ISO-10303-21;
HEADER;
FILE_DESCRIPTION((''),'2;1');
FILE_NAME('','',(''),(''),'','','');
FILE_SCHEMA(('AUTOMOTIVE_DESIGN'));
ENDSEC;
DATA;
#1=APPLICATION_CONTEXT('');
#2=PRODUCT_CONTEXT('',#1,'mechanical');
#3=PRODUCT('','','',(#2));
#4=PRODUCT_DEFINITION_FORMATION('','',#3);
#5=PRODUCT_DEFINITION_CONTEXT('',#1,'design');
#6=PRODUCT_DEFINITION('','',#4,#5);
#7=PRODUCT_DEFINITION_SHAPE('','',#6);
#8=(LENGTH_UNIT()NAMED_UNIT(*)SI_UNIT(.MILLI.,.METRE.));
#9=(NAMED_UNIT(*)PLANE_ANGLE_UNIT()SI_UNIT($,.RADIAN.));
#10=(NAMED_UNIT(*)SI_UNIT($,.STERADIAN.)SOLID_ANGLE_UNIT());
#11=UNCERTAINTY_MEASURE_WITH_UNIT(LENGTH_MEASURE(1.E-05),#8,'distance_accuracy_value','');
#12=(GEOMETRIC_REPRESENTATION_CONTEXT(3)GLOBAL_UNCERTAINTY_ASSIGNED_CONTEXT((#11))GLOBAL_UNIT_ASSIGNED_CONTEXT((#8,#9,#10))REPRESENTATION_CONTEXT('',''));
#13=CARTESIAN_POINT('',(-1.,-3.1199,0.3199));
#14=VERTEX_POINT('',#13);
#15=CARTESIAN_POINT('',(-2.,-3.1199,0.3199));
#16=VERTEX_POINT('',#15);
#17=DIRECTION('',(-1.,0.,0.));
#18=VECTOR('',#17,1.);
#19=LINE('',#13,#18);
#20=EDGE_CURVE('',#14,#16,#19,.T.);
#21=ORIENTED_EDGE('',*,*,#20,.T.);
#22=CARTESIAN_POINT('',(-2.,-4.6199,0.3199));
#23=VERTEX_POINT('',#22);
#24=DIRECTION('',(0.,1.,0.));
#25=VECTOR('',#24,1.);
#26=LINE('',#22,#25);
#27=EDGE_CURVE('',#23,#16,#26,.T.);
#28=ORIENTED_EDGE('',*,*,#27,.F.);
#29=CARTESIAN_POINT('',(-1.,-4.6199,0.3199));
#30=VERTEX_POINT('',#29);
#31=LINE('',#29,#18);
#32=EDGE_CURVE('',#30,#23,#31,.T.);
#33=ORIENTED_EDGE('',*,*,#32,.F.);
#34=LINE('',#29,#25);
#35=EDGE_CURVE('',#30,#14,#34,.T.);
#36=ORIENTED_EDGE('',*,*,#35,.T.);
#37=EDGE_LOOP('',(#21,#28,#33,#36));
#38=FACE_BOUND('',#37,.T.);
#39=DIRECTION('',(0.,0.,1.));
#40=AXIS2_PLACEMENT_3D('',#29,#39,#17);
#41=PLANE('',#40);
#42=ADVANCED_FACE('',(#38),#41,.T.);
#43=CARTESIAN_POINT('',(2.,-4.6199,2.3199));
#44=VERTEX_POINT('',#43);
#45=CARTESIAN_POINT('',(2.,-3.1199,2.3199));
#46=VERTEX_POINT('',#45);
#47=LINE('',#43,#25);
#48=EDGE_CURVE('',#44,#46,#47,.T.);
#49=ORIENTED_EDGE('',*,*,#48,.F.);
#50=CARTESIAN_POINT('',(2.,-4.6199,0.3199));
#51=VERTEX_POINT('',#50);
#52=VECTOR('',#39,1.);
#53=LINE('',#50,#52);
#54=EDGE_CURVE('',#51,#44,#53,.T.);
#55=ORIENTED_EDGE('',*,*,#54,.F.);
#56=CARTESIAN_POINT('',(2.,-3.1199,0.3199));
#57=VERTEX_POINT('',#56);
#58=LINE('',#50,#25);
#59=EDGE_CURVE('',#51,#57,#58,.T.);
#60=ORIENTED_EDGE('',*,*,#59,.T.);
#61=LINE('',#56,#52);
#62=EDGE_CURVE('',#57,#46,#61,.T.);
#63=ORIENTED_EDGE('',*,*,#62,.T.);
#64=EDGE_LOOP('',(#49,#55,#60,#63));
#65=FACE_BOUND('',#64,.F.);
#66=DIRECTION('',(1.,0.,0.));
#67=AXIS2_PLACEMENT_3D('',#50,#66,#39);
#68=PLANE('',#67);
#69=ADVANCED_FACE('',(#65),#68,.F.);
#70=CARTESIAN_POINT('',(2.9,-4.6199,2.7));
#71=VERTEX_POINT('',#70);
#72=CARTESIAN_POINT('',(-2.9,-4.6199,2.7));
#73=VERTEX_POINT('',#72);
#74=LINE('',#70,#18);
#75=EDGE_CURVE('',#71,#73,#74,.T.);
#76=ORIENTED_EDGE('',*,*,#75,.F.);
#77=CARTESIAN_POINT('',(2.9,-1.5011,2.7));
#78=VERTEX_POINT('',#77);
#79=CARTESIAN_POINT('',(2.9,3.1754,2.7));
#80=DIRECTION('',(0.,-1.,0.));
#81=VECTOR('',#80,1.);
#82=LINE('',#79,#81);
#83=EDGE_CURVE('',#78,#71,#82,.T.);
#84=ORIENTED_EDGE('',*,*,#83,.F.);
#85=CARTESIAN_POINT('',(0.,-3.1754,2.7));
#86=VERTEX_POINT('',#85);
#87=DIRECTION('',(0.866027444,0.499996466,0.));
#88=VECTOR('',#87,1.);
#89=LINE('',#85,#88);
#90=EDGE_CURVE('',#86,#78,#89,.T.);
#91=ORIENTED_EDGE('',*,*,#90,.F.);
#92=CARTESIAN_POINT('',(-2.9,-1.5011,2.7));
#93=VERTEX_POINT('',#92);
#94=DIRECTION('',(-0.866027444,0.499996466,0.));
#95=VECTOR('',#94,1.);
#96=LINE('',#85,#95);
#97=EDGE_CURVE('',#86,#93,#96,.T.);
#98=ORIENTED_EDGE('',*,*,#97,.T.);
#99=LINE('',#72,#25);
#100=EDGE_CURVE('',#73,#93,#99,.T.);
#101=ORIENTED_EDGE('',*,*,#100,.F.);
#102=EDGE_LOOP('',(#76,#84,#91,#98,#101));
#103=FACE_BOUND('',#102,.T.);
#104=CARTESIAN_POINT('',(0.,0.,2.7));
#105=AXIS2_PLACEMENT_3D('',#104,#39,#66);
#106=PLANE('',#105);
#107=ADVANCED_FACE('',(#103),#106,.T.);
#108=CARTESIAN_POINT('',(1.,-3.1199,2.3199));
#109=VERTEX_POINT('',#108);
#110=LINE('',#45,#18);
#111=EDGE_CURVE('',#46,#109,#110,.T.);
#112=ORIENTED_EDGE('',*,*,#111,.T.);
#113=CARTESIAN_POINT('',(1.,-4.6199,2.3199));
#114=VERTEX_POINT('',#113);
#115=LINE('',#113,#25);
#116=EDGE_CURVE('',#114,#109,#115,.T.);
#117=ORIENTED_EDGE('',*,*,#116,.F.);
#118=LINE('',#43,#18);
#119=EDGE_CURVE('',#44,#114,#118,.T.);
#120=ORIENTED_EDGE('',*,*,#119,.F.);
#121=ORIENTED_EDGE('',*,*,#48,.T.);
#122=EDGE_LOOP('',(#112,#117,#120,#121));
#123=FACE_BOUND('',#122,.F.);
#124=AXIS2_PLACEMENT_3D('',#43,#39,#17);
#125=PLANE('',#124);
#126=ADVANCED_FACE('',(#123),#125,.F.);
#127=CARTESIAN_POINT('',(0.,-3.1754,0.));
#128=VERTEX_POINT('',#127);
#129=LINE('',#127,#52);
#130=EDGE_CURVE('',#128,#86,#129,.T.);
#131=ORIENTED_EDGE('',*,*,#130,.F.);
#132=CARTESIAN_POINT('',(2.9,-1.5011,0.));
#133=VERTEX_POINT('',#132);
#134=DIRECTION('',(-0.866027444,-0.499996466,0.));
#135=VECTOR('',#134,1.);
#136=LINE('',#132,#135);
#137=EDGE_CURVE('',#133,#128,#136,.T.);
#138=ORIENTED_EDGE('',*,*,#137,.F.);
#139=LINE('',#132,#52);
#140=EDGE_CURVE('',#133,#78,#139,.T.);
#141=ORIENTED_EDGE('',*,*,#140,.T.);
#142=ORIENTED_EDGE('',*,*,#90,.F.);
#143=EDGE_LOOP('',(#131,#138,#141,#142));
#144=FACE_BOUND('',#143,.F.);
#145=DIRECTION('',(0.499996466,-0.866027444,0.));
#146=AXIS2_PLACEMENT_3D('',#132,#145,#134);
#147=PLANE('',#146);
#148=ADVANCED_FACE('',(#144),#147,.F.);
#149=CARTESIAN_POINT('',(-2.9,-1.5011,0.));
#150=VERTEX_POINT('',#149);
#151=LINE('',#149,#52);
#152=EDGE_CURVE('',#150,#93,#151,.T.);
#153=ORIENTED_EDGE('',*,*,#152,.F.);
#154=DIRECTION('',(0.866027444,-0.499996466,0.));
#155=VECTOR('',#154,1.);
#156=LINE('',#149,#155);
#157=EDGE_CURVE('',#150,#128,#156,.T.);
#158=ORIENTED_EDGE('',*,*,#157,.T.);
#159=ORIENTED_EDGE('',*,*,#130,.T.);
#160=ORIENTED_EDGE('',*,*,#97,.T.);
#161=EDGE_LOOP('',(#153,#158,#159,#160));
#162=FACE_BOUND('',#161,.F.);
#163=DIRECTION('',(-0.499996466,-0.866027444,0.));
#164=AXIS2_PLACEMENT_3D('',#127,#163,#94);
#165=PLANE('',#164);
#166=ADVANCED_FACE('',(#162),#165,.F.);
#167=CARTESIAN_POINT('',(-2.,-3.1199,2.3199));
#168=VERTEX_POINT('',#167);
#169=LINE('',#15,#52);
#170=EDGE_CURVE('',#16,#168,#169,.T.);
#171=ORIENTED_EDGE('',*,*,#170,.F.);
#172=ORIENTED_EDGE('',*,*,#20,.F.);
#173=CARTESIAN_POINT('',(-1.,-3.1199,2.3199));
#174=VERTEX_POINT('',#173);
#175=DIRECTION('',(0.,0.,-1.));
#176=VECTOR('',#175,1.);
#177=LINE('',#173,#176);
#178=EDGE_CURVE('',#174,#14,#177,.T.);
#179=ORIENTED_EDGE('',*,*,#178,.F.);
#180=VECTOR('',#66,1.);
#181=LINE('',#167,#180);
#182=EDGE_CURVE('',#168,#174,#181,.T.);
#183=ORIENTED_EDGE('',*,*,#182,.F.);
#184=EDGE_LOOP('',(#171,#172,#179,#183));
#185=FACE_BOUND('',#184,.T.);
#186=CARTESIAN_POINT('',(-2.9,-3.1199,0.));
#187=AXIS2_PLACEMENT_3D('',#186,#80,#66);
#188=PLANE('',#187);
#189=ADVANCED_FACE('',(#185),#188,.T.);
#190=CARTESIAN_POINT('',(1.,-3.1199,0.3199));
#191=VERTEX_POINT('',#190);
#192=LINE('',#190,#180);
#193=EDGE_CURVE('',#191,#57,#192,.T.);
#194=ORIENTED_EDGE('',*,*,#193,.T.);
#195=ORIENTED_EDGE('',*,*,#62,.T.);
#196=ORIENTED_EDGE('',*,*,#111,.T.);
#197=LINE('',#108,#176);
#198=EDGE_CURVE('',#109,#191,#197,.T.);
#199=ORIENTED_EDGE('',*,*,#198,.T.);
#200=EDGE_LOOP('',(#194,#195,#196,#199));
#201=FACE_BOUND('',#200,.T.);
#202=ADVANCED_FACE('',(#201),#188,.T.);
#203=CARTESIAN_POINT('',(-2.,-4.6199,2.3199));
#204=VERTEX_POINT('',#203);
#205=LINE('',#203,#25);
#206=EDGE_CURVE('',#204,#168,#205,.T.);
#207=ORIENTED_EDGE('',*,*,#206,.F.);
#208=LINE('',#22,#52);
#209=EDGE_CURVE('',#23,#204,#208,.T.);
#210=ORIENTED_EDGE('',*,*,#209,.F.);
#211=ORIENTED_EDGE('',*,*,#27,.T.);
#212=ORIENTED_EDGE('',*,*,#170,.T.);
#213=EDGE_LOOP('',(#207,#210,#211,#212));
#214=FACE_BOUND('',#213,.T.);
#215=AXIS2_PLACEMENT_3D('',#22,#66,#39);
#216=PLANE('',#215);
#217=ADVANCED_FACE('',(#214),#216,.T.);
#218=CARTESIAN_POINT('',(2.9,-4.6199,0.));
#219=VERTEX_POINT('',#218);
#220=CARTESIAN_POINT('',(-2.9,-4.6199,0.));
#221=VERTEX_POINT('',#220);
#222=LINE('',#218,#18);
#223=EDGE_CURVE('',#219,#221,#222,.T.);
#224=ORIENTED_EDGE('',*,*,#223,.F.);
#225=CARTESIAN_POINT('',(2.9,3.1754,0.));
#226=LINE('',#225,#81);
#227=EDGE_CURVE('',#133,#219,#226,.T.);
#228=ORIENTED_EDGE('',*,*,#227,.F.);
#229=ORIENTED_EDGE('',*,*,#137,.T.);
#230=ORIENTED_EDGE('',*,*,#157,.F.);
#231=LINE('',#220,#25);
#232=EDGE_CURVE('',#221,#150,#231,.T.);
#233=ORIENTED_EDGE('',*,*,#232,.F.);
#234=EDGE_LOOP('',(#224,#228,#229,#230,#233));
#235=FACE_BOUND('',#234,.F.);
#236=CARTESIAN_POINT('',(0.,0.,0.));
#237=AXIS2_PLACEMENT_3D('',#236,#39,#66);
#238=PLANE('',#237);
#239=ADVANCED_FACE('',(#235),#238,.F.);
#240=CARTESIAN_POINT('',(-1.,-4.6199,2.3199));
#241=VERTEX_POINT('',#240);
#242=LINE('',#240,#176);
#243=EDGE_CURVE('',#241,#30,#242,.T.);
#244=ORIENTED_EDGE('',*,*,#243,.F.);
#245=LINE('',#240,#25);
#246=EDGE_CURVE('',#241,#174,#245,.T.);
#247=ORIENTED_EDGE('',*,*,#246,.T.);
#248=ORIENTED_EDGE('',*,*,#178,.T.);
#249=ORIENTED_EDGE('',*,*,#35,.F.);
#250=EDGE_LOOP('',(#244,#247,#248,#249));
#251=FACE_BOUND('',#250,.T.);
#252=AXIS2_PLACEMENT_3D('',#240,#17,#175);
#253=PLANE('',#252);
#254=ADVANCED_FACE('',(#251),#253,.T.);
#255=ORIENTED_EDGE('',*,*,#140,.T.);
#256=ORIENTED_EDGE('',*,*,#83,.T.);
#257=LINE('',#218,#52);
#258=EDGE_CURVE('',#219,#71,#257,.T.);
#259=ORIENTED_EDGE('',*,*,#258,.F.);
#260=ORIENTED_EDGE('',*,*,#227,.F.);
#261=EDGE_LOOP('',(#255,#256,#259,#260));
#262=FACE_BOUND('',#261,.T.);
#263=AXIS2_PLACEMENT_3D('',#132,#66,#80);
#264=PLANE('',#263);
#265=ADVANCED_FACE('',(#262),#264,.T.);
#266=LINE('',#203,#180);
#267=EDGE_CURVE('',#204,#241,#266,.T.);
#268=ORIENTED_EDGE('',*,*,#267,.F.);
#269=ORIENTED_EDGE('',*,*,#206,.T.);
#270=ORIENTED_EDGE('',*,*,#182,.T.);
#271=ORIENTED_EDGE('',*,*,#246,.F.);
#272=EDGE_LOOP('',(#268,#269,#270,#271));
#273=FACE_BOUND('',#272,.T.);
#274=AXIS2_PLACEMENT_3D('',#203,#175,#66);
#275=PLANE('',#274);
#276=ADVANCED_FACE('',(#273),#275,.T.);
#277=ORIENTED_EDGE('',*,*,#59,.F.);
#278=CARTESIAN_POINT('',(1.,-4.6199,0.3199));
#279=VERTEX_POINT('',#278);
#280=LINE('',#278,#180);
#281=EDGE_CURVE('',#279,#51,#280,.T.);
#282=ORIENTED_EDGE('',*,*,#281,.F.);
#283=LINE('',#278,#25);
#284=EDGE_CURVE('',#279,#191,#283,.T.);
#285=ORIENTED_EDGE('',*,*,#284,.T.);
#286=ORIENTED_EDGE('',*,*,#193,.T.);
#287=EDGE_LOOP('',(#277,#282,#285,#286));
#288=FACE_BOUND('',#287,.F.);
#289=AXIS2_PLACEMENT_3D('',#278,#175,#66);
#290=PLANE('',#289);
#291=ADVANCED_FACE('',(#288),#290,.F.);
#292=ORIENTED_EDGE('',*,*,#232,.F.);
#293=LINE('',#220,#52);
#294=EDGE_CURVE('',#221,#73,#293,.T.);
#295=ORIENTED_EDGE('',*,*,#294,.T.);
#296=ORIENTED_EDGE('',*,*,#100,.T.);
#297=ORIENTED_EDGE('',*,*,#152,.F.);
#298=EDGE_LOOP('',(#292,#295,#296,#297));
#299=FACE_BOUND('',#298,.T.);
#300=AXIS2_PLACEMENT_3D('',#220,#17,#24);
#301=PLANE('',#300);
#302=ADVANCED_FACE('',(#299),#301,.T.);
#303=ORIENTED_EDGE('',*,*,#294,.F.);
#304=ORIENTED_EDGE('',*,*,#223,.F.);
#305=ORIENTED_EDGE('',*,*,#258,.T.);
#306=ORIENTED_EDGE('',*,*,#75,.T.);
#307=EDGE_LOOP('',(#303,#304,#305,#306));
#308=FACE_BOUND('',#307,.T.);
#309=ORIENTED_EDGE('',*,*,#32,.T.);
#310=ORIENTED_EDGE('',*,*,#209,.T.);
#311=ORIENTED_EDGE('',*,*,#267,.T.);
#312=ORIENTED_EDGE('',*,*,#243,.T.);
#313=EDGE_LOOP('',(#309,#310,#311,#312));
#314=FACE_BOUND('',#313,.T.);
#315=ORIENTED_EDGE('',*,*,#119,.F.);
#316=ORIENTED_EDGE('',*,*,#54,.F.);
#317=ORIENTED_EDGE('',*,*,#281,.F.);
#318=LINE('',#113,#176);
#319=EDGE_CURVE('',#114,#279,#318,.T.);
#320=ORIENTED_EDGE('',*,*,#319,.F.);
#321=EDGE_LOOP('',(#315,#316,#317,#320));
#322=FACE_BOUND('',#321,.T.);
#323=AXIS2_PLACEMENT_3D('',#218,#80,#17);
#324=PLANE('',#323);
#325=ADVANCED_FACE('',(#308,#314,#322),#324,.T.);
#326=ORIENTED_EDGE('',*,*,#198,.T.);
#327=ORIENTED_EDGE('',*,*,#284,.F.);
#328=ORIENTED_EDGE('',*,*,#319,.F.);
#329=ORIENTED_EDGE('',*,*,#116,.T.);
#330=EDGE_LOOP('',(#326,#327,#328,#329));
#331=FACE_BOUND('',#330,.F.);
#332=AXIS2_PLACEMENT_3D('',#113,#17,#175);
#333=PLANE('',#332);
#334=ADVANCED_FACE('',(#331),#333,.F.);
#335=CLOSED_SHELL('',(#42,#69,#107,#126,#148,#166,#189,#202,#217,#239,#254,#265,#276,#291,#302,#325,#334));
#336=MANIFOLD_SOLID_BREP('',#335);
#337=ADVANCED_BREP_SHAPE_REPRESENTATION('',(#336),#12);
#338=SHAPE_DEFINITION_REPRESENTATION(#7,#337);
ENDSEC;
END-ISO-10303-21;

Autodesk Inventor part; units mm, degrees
ref_plane "YZ Plane" through (0, 0, 0) normal (1, 0, 0) x (0, 1, 0)
ref_plane "XZ Plane" through (0, 0, 0) normal (0, 1, 0) x (-1, 0, 0)
ref_plane "XY Plane" through (0, 0, 0) normal (0, 0, 1) x (1, 0, 0)
sketch "Sketch1" plane through (0, 0, 0) normal (0, 0, 1) x (1, 0, 0)
  line L0 (0, 3.1754) -> (2.9, 1.5011)
  line L1 (2.75, 1.5877) -> (2.75, -1.5877)
  line L2 (2.9, -1.5011) -> (0, -3.1754)
  line L3 (0, -3.1754) -> (-2.9, -1.5011)
  line L4 (-2.75, -1.5877) -> (-2.75, 1.5877)
  line L5 (-2.9, 1.5011) -> (0, 3.1754)
  line L6 (-2.9, 3.1754) -> (2.9, 3.1754)
  line L7 (2.9, 3.1754) -> (2.9, -4.6199)
  line L8 (2.9, -4.6199) -> (-2.9, -4.6199)
  line L9 (-2.9, -4.6199) -> (-2.9, 3.1754)
  point P0 (0, 0)
  point P1 (0, 0)
  point P2 (0, 3.1754)
  dimension "d0" = 5.5
  dimension "d1" = 5.8
  dimension "d2" = 6.121
extrude "Extrusion1" add sketch "Sketch1" along normal blind 2.7 contours L2 L7 L8 L9 L3
sketch "Sketch2" plane through (-2.9, -4.6199, 0) normal (0, -1, 0) x (1, 0, 0)
  line L0 (0.9, 2.3199) -> (1.9, 2.3199)
  line L1 (1.9, 2.3199) -> (1.9, 0.3199)
  line L2 (1.9, 0.3199) -> (0.9, 0.3199)
  line L3 (0.9, 0.3199) -> (0.9, 2.3199)
  line L4 (5.8, 0) -> (2.9, 0) projected
  line L5 (2.9, 0) -> (2.9, 0.3827)
  line L6 (2.9, 0) -> (2.9, 2.7) projected
  line L7 (4.9, 2.3199) -> (3.9, 2.3199)
  line L8 (3.9, 2.3199) -> (3.9, 0.3199)
  line L9 (3.9, 0.3199) -> (4.9, 0.3199)
  line L10 (4.9, 0.3199) -> (4.9, 2.3199)
  dimension "d5" = 1
  dimension "d6" = 1
  dimension "d7" = 2
extrude "Extrusion2" cut sketch "Sketch2" against normal blind 1.5
properties part number "Cepek1"
